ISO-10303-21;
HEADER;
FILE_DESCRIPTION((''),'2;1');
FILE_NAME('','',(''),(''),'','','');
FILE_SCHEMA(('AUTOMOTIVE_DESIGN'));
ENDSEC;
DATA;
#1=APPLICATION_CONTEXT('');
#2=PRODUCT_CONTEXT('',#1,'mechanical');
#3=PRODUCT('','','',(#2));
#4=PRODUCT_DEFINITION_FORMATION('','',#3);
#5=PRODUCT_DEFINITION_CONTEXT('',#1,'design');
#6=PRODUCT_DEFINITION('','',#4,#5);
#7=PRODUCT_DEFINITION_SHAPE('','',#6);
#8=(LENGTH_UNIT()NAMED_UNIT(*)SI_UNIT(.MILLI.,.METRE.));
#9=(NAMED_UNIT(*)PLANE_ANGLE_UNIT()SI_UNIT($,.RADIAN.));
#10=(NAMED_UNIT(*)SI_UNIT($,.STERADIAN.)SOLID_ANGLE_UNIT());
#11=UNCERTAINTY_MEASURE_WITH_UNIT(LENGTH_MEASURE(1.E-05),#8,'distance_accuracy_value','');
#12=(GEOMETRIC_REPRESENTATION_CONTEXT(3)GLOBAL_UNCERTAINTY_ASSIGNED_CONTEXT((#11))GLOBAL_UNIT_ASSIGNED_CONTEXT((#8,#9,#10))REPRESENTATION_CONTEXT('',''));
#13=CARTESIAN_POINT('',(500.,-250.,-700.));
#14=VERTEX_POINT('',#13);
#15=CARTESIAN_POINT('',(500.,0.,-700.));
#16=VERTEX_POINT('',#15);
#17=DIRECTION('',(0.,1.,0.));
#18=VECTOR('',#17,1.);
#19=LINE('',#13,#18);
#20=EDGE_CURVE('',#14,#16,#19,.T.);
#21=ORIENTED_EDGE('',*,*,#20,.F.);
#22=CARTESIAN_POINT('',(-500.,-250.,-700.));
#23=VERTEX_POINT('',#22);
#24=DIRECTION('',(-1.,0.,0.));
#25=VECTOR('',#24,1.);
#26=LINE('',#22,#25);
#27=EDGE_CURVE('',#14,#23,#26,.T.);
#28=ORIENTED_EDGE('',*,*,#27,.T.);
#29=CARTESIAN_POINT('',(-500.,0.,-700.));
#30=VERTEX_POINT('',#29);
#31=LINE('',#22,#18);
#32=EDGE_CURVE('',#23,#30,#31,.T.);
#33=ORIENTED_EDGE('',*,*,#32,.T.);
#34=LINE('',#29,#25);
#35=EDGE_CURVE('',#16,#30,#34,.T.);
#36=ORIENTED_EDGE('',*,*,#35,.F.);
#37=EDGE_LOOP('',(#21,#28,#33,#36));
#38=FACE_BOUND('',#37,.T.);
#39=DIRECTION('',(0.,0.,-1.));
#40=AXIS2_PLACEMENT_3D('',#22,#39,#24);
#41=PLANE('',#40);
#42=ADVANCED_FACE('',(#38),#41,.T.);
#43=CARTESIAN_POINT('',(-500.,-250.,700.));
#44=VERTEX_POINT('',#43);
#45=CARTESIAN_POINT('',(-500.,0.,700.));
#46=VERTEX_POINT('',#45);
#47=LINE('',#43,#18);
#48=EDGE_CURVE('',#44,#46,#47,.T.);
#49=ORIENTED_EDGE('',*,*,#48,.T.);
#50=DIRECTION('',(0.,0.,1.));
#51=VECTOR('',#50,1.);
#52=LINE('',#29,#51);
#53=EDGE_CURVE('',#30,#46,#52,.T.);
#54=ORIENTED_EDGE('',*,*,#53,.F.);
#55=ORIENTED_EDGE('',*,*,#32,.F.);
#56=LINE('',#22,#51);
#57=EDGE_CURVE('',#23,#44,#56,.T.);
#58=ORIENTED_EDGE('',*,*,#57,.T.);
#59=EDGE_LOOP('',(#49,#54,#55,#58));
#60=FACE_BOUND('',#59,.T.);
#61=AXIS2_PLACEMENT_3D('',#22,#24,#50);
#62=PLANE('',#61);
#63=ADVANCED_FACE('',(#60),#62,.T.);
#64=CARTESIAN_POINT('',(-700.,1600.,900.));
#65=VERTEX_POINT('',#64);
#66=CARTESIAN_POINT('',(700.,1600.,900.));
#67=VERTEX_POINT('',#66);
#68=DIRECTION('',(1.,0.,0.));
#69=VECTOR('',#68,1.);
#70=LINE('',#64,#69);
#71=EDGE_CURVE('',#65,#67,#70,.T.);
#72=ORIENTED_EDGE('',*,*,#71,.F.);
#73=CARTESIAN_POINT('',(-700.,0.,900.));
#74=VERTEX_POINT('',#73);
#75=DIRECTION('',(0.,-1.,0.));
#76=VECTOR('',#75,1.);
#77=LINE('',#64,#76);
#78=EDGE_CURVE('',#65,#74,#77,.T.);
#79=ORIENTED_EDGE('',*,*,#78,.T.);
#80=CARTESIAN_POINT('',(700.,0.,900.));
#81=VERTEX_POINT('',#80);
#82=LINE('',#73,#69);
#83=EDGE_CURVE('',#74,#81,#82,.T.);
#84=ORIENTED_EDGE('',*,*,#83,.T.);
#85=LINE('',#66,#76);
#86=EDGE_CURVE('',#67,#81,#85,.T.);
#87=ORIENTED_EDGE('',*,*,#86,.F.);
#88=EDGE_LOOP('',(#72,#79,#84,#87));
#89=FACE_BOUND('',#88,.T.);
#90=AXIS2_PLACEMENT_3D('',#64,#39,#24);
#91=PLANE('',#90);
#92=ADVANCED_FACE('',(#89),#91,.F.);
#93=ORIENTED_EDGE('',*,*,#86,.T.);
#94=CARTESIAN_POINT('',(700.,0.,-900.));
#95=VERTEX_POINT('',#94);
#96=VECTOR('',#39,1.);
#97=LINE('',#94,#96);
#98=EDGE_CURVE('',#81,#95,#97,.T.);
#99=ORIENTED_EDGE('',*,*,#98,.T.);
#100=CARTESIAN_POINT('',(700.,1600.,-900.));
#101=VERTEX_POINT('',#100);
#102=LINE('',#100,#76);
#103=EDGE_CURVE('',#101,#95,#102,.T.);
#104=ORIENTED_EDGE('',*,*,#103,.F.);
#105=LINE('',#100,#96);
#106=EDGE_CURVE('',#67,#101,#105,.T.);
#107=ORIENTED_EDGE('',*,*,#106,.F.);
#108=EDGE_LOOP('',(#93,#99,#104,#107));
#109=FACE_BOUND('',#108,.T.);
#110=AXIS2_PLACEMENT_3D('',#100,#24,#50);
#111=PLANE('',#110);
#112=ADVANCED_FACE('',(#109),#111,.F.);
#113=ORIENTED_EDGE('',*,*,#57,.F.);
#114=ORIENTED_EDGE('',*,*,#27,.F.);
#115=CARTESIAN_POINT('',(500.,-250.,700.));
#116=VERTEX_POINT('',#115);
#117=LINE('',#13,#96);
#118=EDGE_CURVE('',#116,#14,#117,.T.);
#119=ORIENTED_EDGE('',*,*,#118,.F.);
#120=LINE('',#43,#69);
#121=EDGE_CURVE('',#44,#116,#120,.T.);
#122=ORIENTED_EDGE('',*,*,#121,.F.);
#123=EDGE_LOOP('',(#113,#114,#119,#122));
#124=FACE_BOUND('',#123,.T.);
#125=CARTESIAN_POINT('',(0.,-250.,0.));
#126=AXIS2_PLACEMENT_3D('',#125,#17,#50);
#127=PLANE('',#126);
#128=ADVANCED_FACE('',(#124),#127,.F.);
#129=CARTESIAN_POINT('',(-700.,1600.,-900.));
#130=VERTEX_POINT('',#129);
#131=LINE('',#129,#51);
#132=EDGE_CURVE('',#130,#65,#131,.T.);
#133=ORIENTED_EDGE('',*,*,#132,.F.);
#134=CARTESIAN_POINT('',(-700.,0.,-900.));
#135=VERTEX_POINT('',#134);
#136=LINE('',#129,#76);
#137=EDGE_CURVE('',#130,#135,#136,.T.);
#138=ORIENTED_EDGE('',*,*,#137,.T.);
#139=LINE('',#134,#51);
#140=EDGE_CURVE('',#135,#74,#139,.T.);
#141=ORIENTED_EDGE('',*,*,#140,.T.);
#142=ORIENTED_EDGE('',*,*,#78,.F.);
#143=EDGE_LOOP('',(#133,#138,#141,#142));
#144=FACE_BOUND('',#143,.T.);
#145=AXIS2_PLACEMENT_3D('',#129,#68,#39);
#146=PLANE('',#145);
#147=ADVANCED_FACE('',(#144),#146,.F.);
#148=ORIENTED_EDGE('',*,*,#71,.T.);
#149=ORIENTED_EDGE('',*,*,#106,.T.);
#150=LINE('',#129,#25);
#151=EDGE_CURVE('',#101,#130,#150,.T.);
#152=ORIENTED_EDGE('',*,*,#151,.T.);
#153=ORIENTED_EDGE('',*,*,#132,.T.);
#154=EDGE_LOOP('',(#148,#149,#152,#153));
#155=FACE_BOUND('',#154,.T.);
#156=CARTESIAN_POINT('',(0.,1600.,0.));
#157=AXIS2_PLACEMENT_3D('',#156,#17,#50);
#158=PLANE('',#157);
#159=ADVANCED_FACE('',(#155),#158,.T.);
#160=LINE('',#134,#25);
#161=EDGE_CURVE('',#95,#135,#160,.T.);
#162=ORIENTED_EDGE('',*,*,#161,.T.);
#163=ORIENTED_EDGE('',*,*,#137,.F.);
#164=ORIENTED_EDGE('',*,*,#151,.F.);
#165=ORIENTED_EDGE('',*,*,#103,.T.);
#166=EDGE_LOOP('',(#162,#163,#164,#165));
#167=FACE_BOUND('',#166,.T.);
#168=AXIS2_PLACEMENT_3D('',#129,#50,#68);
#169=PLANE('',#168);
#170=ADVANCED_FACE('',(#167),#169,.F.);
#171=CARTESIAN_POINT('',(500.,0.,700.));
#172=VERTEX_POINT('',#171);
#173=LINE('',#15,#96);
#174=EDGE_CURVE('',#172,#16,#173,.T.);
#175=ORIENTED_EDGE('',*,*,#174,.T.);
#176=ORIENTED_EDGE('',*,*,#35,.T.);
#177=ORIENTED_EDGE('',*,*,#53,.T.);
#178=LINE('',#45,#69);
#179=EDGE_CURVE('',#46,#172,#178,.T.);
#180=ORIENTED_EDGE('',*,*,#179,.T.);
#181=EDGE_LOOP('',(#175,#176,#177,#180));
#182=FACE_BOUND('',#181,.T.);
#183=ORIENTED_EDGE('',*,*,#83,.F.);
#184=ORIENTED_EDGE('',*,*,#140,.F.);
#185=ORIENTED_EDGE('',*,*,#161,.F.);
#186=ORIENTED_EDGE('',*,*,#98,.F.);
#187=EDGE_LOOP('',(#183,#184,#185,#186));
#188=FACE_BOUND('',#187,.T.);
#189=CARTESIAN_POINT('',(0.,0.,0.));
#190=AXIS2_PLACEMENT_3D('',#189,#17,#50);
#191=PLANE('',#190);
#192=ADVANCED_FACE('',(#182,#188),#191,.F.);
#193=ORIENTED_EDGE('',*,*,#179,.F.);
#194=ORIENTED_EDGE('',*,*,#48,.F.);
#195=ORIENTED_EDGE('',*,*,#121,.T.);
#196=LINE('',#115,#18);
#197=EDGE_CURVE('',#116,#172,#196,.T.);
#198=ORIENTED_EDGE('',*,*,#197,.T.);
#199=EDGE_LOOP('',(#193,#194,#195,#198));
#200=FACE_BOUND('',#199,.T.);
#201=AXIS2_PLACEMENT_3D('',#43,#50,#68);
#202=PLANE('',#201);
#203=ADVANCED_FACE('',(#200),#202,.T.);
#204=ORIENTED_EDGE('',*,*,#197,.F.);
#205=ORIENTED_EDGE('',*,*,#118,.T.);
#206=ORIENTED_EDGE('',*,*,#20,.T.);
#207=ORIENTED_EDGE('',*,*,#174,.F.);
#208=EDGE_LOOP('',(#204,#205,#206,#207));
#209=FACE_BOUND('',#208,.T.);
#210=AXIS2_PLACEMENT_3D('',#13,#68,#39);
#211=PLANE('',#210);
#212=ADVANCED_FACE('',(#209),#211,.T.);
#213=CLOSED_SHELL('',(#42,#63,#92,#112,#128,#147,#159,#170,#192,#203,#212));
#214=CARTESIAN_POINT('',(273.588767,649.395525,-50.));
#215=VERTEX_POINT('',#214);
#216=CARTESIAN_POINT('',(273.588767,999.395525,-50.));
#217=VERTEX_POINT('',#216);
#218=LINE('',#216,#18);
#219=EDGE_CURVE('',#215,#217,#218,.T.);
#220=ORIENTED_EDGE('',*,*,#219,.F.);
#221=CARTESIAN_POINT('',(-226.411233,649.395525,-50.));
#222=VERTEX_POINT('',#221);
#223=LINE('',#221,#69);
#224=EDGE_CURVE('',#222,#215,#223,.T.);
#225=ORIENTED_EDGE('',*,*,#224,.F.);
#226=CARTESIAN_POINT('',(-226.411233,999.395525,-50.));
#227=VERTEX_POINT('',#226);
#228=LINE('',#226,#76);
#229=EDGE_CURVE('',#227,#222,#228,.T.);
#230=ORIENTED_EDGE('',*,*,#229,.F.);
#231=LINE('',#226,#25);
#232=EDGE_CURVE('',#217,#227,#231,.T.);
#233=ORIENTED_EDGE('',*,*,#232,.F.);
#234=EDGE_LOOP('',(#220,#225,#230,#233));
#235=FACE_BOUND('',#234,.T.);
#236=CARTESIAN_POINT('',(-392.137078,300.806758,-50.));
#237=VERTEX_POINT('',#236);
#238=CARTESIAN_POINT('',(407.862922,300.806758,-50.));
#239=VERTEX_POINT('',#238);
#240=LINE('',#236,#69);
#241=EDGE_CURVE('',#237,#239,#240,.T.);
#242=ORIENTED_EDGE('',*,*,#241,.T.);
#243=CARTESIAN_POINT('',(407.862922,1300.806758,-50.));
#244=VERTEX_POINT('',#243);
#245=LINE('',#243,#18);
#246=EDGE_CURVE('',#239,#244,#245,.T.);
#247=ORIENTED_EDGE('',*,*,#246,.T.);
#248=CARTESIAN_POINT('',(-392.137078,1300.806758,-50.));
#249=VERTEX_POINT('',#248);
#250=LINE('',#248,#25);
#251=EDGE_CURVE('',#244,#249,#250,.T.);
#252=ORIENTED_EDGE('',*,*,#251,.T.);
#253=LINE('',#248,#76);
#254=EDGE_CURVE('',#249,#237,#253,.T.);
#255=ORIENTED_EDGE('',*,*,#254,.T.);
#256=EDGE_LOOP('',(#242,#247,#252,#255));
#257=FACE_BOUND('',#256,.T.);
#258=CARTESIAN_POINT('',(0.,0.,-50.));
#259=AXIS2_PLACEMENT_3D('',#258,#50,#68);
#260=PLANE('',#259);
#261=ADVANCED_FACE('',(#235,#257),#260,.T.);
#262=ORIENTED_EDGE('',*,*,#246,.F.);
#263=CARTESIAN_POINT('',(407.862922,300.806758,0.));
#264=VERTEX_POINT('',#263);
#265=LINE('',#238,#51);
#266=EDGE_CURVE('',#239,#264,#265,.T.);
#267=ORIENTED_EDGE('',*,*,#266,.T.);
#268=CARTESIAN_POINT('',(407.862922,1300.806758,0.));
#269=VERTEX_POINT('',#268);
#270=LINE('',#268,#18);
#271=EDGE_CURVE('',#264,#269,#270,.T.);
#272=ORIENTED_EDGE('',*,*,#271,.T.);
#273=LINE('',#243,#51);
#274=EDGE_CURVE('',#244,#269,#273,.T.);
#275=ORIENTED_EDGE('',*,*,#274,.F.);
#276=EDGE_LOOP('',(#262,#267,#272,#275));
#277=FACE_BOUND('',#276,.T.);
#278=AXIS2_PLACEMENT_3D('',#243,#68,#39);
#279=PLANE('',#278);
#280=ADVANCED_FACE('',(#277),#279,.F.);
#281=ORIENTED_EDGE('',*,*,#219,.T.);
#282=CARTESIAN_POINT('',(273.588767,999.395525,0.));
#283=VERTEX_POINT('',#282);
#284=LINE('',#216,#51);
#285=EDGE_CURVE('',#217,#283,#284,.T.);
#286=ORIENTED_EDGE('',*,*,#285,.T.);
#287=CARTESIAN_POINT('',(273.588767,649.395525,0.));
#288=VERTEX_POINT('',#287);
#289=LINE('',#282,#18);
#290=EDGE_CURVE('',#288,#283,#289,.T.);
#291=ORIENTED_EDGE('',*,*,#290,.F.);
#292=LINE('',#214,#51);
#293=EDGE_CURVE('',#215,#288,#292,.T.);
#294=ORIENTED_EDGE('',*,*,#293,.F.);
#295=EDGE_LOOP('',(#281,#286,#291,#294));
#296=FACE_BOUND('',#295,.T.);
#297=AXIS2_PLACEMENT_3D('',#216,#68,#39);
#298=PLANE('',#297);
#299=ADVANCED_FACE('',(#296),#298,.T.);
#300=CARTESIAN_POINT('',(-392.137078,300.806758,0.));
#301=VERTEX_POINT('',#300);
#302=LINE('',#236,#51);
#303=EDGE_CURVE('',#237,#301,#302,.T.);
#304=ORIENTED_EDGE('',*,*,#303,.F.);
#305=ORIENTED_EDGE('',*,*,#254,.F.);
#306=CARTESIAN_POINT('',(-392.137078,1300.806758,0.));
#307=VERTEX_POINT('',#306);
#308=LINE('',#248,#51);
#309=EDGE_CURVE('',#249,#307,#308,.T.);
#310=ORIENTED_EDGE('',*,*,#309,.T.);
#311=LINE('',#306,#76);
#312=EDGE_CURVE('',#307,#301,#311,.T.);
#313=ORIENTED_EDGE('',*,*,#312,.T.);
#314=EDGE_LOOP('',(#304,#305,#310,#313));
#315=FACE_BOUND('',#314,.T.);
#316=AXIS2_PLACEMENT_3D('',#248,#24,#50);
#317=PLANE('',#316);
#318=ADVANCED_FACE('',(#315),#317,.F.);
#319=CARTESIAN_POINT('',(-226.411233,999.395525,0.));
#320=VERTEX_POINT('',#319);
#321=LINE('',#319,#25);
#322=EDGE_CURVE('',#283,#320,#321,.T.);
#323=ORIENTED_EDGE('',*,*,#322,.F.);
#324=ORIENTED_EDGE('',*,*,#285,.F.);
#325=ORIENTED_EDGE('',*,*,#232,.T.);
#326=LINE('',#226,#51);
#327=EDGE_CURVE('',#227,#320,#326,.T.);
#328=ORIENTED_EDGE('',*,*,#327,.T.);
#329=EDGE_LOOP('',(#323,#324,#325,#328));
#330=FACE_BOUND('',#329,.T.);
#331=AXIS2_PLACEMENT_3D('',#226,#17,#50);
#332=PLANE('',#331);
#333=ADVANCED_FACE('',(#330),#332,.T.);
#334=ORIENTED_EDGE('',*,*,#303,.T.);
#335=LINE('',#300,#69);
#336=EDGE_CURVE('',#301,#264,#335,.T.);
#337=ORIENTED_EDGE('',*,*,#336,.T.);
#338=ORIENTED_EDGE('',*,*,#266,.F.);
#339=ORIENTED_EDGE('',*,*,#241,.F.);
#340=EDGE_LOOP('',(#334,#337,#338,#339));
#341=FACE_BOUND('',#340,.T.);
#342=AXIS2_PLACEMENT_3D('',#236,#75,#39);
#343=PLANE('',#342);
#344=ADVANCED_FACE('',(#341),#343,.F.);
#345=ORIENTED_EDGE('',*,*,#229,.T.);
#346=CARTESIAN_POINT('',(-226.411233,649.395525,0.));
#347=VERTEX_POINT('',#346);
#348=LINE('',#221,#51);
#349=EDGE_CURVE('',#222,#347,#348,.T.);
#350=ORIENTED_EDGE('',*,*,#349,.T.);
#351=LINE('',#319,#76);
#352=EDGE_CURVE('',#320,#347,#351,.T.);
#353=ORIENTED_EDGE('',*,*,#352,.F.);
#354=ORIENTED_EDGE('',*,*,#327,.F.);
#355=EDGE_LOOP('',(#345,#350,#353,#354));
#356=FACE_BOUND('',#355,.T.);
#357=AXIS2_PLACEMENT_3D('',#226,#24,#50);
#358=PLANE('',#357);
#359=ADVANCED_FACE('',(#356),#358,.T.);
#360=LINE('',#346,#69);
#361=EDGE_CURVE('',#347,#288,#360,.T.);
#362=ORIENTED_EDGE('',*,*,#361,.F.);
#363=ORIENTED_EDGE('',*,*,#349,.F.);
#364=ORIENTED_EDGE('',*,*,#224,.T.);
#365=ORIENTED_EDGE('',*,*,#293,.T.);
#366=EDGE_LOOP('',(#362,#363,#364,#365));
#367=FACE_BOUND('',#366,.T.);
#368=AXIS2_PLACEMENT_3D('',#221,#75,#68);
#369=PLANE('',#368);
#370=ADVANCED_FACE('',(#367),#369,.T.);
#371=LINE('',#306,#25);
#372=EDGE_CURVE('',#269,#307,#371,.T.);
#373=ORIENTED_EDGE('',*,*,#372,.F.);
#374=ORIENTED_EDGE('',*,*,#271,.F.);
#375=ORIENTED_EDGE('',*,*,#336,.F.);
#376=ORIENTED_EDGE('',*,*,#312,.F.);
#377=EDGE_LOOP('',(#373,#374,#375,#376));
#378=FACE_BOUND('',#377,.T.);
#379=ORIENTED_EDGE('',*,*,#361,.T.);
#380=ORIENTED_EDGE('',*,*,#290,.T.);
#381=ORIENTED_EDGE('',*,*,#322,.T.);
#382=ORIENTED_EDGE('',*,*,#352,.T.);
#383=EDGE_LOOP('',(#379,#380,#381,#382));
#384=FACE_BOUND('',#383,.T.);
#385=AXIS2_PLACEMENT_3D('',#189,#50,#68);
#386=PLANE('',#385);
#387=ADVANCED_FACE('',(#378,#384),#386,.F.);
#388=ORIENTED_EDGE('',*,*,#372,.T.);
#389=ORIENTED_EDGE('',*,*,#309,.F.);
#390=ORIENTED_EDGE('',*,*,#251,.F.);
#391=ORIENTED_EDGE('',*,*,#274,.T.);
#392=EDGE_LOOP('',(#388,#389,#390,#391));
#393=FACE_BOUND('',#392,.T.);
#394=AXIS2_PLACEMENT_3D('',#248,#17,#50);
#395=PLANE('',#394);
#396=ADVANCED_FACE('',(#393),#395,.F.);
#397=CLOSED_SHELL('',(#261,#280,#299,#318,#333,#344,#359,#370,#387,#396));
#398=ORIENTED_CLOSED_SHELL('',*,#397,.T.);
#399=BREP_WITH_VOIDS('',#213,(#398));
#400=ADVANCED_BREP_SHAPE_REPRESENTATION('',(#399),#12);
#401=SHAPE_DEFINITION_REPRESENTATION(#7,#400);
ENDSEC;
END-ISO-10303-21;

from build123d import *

# Parameters (mm, degrees)
SKETCH1_W           = 1400
SKETCH1_H           = 1800
BOSS_EXTRUDE1_DEPTH = 1600
SKETCH2_W           = 1000
SKETCH2_H           = 1400
BOSS_EXTRUDE2_DEPTH = 250
SKETCH3_W           = 800
SKETCH3_H           = 1000
CUT_EXTRUDE1_DEPTH  = 50
SKETCH4_W           = 500
SKETCH4_H           = 350
BOSS_EXTRUDE3_DEPTH = 50


with BuildPart() as part:
    # Sketch1 → Boss-Extrude1 (new body)
    with BuildSketch(Plane(origin=(0, 0, 0), x_dir=(1, 0, 0), z_dir=(0, 1, 0))):
        Rectangle(SKETCH1_W, SKETCH1_H)
    extrude(amount=BOSS_EXTRUDE1_DEPTH)

    # Sketch2 → Boss-Extrude2 (add)
    with BuildSketch(Plane(origin=(0, 0, 0), x_dir=(1, 0, 0), z_dir=(0, 1, 0))):
        Rectangle(SKETCH2_W, SKETCH2_H)
    extrude(amount=-BOSS_EXTRUDE2_DEPTH)

    # Sketch3 → Cut-Extrude1 (cut)
    with BuildSketch(Plane.XY):
        with Locations((7.862922359, 800.806757739)):
            Rectangle(SKETCH3_W, SKETCH3_H)
    extrude(amount=-CUT_EXTRUDE1_DEPTH, mode=Mode.SUBTRACT)

    # Sketch4 → Boss-Extrude3 (add)
    with BuildSketch(Plane.XY):
        with Locations((23.588767076, 824.395524815)):
            Rectangle(SKETCH4_W, SKETCH4_H)
    extrude(amount=-BOSS_EXTRUDE3_DEPTH)


solid = part.part
